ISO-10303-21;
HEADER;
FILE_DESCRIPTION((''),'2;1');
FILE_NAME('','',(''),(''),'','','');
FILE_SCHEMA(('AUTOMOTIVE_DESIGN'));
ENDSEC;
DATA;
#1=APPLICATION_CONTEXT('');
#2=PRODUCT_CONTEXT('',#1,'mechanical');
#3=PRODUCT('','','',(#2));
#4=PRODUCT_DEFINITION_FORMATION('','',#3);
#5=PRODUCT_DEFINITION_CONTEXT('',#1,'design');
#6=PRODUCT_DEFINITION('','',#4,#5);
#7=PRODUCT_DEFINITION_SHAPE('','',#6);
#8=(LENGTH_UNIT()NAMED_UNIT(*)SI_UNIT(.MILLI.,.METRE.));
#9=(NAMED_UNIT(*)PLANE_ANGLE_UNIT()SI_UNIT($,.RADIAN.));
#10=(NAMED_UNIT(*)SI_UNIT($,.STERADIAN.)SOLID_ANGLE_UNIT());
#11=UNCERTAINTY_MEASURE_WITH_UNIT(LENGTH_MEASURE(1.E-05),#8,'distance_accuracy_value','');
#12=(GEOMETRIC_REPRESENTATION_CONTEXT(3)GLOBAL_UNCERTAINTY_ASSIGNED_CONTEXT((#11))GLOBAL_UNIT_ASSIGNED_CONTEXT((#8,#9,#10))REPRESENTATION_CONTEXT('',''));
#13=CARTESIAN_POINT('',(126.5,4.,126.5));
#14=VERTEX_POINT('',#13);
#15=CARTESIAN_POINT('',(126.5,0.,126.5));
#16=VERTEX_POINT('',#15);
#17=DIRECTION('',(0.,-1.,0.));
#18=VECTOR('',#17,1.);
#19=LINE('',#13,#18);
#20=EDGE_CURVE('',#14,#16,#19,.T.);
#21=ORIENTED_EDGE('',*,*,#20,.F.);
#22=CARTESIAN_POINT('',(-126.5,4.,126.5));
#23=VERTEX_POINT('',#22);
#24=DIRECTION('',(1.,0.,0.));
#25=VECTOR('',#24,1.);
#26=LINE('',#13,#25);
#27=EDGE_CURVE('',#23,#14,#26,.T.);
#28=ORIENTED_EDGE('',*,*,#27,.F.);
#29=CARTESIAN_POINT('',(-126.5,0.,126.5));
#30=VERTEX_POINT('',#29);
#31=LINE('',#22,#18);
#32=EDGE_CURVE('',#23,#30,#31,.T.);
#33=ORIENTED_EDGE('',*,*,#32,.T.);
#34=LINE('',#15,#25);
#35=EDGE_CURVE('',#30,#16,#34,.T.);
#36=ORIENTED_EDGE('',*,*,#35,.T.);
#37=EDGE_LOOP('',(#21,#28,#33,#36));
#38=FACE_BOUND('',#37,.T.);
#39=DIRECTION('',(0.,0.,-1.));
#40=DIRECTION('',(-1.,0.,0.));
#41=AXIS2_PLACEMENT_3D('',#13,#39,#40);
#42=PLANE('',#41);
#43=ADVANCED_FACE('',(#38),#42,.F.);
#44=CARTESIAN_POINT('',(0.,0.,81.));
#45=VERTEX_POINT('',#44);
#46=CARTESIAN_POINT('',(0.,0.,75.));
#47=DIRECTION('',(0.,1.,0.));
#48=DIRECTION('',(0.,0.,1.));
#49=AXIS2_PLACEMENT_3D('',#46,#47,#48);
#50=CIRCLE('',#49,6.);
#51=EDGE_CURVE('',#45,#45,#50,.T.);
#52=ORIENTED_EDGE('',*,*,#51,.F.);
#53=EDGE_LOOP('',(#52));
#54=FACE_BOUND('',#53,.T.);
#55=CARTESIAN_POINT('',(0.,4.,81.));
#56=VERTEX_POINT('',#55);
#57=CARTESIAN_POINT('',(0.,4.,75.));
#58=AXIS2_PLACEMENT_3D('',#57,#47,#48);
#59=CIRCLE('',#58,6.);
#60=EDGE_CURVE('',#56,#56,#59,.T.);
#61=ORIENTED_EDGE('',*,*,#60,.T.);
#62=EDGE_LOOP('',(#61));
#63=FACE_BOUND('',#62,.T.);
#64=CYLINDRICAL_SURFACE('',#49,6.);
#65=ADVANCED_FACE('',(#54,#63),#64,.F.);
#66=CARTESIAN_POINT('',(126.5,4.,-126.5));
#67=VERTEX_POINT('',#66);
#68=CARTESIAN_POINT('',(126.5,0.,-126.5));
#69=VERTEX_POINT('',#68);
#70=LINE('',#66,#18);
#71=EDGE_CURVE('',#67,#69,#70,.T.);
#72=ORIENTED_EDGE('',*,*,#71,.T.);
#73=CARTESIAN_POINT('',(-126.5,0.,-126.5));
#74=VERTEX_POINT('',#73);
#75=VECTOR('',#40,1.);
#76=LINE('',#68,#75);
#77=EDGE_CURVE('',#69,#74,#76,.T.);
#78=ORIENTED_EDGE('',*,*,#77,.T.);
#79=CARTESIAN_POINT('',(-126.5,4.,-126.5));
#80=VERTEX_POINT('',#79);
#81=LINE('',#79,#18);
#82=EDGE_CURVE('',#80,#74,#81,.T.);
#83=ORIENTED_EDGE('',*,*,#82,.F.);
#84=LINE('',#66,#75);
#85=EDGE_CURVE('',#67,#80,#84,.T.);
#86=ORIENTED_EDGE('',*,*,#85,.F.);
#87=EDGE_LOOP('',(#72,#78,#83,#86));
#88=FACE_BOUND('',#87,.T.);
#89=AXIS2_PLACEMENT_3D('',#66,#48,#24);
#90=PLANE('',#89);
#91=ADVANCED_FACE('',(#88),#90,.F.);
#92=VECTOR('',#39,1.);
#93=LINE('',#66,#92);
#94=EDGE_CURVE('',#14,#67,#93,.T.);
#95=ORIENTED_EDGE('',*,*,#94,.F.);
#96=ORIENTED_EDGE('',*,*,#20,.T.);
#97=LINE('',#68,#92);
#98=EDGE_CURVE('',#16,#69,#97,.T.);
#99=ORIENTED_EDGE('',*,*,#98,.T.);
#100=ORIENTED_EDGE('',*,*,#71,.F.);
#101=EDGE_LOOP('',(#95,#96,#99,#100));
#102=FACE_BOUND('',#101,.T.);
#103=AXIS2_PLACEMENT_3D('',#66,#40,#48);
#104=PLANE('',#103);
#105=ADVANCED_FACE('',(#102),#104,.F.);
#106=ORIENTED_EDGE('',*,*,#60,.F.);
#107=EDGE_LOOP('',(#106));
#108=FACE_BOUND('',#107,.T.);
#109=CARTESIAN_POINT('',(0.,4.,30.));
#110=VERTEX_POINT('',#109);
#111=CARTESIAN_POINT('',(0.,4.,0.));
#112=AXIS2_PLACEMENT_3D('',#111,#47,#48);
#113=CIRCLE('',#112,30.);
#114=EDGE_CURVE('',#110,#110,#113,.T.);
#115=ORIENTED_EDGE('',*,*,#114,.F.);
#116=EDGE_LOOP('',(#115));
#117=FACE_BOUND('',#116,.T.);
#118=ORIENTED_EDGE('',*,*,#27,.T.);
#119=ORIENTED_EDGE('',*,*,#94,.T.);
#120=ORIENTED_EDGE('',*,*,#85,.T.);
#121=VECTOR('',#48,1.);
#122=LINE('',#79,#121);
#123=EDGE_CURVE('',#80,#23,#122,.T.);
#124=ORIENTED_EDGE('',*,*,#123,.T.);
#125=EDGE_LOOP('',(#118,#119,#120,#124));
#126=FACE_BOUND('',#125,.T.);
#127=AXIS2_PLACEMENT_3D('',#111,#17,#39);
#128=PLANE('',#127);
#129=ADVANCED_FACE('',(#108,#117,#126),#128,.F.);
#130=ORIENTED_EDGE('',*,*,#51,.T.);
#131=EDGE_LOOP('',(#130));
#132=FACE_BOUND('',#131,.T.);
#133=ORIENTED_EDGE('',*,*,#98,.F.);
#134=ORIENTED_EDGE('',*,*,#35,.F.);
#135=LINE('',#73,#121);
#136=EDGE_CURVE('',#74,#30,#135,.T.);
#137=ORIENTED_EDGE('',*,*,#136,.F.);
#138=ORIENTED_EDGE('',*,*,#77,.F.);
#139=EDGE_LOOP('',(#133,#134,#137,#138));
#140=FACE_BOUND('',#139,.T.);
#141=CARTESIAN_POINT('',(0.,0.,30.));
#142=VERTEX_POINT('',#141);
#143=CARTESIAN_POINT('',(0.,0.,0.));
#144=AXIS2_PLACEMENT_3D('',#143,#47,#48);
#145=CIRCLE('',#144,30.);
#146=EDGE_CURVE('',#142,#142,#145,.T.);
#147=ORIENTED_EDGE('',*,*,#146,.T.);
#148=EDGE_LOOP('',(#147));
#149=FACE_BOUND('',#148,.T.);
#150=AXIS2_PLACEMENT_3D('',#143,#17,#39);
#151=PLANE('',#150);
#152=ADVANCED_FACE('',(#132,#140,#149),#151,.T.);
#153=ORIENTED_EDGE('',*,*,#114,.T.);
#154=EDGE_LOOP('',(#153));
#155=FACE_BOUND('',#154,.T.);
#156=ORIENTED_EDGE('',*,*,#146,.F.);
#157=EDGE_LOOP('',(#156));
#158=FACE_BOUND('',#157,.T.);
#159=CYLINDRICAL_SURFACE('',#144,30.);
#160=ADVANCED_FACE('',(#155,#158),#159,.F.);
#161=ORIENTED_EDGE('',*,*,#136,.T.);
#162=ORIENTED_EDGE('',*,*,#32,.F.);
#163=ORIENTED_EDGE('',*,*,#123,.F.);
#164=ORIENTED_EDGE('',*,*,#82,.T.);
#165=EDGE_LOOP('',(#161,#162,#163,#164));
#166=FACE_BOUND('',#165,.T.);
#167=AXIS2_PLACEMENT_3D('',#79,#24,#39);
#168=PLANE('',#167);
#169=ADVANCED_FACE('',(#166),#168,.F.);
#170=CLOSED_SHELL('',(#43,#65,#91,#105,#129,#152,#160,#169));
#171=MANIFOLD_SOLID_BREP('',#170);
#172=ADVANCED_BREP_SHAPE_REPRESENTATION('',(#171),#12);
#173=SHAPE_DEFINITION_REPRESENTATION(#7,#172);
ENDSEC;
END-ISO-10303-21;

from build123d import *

# Parameters (mm, degrees)
SKETCH2_W           = 253
SKETCH2_H           = 253
BOSS_EXTRUDE1_DEPTH = 4
SKETCH3_R           = 6
SKETCH3_R_2         = 30
CUT_EXTRUDE1_DEPTH  = 179.942728268


with BuildPart() as part:
    # Sketch2 → Boss-Extrude1 (new body)
    with BuildSketch(Plane(origin=(0, 0, 0), x_dir=(1, 0, 0), z_dir=(0, 1, 0))):
        Rectangle(SKETCH2_W, SKETCH2_H)
    extrude(amount=BOSS_EXTRUDE1_DEPTH)

    # Sketch3 → Cut-Extrude1 (cut, through all)
    with BuildSketch(Plane(origin=(0, 4, 0), x_dir=(1, 0, 0), z_dir=(0, 1, 0))):
        with Locations(Location((0, -75, 0), (0, 0, 270))):
            Circle(SKETCH3_R)
        with Locations(Location((0, 0, 0), (0, 0, 270))):
            Circle(SKETCH3_R_2)
    extrude(amount=-CUT_EXTRUDE1_DEPTH, mode=Mode.SUBTRACT)


solid = part.part
